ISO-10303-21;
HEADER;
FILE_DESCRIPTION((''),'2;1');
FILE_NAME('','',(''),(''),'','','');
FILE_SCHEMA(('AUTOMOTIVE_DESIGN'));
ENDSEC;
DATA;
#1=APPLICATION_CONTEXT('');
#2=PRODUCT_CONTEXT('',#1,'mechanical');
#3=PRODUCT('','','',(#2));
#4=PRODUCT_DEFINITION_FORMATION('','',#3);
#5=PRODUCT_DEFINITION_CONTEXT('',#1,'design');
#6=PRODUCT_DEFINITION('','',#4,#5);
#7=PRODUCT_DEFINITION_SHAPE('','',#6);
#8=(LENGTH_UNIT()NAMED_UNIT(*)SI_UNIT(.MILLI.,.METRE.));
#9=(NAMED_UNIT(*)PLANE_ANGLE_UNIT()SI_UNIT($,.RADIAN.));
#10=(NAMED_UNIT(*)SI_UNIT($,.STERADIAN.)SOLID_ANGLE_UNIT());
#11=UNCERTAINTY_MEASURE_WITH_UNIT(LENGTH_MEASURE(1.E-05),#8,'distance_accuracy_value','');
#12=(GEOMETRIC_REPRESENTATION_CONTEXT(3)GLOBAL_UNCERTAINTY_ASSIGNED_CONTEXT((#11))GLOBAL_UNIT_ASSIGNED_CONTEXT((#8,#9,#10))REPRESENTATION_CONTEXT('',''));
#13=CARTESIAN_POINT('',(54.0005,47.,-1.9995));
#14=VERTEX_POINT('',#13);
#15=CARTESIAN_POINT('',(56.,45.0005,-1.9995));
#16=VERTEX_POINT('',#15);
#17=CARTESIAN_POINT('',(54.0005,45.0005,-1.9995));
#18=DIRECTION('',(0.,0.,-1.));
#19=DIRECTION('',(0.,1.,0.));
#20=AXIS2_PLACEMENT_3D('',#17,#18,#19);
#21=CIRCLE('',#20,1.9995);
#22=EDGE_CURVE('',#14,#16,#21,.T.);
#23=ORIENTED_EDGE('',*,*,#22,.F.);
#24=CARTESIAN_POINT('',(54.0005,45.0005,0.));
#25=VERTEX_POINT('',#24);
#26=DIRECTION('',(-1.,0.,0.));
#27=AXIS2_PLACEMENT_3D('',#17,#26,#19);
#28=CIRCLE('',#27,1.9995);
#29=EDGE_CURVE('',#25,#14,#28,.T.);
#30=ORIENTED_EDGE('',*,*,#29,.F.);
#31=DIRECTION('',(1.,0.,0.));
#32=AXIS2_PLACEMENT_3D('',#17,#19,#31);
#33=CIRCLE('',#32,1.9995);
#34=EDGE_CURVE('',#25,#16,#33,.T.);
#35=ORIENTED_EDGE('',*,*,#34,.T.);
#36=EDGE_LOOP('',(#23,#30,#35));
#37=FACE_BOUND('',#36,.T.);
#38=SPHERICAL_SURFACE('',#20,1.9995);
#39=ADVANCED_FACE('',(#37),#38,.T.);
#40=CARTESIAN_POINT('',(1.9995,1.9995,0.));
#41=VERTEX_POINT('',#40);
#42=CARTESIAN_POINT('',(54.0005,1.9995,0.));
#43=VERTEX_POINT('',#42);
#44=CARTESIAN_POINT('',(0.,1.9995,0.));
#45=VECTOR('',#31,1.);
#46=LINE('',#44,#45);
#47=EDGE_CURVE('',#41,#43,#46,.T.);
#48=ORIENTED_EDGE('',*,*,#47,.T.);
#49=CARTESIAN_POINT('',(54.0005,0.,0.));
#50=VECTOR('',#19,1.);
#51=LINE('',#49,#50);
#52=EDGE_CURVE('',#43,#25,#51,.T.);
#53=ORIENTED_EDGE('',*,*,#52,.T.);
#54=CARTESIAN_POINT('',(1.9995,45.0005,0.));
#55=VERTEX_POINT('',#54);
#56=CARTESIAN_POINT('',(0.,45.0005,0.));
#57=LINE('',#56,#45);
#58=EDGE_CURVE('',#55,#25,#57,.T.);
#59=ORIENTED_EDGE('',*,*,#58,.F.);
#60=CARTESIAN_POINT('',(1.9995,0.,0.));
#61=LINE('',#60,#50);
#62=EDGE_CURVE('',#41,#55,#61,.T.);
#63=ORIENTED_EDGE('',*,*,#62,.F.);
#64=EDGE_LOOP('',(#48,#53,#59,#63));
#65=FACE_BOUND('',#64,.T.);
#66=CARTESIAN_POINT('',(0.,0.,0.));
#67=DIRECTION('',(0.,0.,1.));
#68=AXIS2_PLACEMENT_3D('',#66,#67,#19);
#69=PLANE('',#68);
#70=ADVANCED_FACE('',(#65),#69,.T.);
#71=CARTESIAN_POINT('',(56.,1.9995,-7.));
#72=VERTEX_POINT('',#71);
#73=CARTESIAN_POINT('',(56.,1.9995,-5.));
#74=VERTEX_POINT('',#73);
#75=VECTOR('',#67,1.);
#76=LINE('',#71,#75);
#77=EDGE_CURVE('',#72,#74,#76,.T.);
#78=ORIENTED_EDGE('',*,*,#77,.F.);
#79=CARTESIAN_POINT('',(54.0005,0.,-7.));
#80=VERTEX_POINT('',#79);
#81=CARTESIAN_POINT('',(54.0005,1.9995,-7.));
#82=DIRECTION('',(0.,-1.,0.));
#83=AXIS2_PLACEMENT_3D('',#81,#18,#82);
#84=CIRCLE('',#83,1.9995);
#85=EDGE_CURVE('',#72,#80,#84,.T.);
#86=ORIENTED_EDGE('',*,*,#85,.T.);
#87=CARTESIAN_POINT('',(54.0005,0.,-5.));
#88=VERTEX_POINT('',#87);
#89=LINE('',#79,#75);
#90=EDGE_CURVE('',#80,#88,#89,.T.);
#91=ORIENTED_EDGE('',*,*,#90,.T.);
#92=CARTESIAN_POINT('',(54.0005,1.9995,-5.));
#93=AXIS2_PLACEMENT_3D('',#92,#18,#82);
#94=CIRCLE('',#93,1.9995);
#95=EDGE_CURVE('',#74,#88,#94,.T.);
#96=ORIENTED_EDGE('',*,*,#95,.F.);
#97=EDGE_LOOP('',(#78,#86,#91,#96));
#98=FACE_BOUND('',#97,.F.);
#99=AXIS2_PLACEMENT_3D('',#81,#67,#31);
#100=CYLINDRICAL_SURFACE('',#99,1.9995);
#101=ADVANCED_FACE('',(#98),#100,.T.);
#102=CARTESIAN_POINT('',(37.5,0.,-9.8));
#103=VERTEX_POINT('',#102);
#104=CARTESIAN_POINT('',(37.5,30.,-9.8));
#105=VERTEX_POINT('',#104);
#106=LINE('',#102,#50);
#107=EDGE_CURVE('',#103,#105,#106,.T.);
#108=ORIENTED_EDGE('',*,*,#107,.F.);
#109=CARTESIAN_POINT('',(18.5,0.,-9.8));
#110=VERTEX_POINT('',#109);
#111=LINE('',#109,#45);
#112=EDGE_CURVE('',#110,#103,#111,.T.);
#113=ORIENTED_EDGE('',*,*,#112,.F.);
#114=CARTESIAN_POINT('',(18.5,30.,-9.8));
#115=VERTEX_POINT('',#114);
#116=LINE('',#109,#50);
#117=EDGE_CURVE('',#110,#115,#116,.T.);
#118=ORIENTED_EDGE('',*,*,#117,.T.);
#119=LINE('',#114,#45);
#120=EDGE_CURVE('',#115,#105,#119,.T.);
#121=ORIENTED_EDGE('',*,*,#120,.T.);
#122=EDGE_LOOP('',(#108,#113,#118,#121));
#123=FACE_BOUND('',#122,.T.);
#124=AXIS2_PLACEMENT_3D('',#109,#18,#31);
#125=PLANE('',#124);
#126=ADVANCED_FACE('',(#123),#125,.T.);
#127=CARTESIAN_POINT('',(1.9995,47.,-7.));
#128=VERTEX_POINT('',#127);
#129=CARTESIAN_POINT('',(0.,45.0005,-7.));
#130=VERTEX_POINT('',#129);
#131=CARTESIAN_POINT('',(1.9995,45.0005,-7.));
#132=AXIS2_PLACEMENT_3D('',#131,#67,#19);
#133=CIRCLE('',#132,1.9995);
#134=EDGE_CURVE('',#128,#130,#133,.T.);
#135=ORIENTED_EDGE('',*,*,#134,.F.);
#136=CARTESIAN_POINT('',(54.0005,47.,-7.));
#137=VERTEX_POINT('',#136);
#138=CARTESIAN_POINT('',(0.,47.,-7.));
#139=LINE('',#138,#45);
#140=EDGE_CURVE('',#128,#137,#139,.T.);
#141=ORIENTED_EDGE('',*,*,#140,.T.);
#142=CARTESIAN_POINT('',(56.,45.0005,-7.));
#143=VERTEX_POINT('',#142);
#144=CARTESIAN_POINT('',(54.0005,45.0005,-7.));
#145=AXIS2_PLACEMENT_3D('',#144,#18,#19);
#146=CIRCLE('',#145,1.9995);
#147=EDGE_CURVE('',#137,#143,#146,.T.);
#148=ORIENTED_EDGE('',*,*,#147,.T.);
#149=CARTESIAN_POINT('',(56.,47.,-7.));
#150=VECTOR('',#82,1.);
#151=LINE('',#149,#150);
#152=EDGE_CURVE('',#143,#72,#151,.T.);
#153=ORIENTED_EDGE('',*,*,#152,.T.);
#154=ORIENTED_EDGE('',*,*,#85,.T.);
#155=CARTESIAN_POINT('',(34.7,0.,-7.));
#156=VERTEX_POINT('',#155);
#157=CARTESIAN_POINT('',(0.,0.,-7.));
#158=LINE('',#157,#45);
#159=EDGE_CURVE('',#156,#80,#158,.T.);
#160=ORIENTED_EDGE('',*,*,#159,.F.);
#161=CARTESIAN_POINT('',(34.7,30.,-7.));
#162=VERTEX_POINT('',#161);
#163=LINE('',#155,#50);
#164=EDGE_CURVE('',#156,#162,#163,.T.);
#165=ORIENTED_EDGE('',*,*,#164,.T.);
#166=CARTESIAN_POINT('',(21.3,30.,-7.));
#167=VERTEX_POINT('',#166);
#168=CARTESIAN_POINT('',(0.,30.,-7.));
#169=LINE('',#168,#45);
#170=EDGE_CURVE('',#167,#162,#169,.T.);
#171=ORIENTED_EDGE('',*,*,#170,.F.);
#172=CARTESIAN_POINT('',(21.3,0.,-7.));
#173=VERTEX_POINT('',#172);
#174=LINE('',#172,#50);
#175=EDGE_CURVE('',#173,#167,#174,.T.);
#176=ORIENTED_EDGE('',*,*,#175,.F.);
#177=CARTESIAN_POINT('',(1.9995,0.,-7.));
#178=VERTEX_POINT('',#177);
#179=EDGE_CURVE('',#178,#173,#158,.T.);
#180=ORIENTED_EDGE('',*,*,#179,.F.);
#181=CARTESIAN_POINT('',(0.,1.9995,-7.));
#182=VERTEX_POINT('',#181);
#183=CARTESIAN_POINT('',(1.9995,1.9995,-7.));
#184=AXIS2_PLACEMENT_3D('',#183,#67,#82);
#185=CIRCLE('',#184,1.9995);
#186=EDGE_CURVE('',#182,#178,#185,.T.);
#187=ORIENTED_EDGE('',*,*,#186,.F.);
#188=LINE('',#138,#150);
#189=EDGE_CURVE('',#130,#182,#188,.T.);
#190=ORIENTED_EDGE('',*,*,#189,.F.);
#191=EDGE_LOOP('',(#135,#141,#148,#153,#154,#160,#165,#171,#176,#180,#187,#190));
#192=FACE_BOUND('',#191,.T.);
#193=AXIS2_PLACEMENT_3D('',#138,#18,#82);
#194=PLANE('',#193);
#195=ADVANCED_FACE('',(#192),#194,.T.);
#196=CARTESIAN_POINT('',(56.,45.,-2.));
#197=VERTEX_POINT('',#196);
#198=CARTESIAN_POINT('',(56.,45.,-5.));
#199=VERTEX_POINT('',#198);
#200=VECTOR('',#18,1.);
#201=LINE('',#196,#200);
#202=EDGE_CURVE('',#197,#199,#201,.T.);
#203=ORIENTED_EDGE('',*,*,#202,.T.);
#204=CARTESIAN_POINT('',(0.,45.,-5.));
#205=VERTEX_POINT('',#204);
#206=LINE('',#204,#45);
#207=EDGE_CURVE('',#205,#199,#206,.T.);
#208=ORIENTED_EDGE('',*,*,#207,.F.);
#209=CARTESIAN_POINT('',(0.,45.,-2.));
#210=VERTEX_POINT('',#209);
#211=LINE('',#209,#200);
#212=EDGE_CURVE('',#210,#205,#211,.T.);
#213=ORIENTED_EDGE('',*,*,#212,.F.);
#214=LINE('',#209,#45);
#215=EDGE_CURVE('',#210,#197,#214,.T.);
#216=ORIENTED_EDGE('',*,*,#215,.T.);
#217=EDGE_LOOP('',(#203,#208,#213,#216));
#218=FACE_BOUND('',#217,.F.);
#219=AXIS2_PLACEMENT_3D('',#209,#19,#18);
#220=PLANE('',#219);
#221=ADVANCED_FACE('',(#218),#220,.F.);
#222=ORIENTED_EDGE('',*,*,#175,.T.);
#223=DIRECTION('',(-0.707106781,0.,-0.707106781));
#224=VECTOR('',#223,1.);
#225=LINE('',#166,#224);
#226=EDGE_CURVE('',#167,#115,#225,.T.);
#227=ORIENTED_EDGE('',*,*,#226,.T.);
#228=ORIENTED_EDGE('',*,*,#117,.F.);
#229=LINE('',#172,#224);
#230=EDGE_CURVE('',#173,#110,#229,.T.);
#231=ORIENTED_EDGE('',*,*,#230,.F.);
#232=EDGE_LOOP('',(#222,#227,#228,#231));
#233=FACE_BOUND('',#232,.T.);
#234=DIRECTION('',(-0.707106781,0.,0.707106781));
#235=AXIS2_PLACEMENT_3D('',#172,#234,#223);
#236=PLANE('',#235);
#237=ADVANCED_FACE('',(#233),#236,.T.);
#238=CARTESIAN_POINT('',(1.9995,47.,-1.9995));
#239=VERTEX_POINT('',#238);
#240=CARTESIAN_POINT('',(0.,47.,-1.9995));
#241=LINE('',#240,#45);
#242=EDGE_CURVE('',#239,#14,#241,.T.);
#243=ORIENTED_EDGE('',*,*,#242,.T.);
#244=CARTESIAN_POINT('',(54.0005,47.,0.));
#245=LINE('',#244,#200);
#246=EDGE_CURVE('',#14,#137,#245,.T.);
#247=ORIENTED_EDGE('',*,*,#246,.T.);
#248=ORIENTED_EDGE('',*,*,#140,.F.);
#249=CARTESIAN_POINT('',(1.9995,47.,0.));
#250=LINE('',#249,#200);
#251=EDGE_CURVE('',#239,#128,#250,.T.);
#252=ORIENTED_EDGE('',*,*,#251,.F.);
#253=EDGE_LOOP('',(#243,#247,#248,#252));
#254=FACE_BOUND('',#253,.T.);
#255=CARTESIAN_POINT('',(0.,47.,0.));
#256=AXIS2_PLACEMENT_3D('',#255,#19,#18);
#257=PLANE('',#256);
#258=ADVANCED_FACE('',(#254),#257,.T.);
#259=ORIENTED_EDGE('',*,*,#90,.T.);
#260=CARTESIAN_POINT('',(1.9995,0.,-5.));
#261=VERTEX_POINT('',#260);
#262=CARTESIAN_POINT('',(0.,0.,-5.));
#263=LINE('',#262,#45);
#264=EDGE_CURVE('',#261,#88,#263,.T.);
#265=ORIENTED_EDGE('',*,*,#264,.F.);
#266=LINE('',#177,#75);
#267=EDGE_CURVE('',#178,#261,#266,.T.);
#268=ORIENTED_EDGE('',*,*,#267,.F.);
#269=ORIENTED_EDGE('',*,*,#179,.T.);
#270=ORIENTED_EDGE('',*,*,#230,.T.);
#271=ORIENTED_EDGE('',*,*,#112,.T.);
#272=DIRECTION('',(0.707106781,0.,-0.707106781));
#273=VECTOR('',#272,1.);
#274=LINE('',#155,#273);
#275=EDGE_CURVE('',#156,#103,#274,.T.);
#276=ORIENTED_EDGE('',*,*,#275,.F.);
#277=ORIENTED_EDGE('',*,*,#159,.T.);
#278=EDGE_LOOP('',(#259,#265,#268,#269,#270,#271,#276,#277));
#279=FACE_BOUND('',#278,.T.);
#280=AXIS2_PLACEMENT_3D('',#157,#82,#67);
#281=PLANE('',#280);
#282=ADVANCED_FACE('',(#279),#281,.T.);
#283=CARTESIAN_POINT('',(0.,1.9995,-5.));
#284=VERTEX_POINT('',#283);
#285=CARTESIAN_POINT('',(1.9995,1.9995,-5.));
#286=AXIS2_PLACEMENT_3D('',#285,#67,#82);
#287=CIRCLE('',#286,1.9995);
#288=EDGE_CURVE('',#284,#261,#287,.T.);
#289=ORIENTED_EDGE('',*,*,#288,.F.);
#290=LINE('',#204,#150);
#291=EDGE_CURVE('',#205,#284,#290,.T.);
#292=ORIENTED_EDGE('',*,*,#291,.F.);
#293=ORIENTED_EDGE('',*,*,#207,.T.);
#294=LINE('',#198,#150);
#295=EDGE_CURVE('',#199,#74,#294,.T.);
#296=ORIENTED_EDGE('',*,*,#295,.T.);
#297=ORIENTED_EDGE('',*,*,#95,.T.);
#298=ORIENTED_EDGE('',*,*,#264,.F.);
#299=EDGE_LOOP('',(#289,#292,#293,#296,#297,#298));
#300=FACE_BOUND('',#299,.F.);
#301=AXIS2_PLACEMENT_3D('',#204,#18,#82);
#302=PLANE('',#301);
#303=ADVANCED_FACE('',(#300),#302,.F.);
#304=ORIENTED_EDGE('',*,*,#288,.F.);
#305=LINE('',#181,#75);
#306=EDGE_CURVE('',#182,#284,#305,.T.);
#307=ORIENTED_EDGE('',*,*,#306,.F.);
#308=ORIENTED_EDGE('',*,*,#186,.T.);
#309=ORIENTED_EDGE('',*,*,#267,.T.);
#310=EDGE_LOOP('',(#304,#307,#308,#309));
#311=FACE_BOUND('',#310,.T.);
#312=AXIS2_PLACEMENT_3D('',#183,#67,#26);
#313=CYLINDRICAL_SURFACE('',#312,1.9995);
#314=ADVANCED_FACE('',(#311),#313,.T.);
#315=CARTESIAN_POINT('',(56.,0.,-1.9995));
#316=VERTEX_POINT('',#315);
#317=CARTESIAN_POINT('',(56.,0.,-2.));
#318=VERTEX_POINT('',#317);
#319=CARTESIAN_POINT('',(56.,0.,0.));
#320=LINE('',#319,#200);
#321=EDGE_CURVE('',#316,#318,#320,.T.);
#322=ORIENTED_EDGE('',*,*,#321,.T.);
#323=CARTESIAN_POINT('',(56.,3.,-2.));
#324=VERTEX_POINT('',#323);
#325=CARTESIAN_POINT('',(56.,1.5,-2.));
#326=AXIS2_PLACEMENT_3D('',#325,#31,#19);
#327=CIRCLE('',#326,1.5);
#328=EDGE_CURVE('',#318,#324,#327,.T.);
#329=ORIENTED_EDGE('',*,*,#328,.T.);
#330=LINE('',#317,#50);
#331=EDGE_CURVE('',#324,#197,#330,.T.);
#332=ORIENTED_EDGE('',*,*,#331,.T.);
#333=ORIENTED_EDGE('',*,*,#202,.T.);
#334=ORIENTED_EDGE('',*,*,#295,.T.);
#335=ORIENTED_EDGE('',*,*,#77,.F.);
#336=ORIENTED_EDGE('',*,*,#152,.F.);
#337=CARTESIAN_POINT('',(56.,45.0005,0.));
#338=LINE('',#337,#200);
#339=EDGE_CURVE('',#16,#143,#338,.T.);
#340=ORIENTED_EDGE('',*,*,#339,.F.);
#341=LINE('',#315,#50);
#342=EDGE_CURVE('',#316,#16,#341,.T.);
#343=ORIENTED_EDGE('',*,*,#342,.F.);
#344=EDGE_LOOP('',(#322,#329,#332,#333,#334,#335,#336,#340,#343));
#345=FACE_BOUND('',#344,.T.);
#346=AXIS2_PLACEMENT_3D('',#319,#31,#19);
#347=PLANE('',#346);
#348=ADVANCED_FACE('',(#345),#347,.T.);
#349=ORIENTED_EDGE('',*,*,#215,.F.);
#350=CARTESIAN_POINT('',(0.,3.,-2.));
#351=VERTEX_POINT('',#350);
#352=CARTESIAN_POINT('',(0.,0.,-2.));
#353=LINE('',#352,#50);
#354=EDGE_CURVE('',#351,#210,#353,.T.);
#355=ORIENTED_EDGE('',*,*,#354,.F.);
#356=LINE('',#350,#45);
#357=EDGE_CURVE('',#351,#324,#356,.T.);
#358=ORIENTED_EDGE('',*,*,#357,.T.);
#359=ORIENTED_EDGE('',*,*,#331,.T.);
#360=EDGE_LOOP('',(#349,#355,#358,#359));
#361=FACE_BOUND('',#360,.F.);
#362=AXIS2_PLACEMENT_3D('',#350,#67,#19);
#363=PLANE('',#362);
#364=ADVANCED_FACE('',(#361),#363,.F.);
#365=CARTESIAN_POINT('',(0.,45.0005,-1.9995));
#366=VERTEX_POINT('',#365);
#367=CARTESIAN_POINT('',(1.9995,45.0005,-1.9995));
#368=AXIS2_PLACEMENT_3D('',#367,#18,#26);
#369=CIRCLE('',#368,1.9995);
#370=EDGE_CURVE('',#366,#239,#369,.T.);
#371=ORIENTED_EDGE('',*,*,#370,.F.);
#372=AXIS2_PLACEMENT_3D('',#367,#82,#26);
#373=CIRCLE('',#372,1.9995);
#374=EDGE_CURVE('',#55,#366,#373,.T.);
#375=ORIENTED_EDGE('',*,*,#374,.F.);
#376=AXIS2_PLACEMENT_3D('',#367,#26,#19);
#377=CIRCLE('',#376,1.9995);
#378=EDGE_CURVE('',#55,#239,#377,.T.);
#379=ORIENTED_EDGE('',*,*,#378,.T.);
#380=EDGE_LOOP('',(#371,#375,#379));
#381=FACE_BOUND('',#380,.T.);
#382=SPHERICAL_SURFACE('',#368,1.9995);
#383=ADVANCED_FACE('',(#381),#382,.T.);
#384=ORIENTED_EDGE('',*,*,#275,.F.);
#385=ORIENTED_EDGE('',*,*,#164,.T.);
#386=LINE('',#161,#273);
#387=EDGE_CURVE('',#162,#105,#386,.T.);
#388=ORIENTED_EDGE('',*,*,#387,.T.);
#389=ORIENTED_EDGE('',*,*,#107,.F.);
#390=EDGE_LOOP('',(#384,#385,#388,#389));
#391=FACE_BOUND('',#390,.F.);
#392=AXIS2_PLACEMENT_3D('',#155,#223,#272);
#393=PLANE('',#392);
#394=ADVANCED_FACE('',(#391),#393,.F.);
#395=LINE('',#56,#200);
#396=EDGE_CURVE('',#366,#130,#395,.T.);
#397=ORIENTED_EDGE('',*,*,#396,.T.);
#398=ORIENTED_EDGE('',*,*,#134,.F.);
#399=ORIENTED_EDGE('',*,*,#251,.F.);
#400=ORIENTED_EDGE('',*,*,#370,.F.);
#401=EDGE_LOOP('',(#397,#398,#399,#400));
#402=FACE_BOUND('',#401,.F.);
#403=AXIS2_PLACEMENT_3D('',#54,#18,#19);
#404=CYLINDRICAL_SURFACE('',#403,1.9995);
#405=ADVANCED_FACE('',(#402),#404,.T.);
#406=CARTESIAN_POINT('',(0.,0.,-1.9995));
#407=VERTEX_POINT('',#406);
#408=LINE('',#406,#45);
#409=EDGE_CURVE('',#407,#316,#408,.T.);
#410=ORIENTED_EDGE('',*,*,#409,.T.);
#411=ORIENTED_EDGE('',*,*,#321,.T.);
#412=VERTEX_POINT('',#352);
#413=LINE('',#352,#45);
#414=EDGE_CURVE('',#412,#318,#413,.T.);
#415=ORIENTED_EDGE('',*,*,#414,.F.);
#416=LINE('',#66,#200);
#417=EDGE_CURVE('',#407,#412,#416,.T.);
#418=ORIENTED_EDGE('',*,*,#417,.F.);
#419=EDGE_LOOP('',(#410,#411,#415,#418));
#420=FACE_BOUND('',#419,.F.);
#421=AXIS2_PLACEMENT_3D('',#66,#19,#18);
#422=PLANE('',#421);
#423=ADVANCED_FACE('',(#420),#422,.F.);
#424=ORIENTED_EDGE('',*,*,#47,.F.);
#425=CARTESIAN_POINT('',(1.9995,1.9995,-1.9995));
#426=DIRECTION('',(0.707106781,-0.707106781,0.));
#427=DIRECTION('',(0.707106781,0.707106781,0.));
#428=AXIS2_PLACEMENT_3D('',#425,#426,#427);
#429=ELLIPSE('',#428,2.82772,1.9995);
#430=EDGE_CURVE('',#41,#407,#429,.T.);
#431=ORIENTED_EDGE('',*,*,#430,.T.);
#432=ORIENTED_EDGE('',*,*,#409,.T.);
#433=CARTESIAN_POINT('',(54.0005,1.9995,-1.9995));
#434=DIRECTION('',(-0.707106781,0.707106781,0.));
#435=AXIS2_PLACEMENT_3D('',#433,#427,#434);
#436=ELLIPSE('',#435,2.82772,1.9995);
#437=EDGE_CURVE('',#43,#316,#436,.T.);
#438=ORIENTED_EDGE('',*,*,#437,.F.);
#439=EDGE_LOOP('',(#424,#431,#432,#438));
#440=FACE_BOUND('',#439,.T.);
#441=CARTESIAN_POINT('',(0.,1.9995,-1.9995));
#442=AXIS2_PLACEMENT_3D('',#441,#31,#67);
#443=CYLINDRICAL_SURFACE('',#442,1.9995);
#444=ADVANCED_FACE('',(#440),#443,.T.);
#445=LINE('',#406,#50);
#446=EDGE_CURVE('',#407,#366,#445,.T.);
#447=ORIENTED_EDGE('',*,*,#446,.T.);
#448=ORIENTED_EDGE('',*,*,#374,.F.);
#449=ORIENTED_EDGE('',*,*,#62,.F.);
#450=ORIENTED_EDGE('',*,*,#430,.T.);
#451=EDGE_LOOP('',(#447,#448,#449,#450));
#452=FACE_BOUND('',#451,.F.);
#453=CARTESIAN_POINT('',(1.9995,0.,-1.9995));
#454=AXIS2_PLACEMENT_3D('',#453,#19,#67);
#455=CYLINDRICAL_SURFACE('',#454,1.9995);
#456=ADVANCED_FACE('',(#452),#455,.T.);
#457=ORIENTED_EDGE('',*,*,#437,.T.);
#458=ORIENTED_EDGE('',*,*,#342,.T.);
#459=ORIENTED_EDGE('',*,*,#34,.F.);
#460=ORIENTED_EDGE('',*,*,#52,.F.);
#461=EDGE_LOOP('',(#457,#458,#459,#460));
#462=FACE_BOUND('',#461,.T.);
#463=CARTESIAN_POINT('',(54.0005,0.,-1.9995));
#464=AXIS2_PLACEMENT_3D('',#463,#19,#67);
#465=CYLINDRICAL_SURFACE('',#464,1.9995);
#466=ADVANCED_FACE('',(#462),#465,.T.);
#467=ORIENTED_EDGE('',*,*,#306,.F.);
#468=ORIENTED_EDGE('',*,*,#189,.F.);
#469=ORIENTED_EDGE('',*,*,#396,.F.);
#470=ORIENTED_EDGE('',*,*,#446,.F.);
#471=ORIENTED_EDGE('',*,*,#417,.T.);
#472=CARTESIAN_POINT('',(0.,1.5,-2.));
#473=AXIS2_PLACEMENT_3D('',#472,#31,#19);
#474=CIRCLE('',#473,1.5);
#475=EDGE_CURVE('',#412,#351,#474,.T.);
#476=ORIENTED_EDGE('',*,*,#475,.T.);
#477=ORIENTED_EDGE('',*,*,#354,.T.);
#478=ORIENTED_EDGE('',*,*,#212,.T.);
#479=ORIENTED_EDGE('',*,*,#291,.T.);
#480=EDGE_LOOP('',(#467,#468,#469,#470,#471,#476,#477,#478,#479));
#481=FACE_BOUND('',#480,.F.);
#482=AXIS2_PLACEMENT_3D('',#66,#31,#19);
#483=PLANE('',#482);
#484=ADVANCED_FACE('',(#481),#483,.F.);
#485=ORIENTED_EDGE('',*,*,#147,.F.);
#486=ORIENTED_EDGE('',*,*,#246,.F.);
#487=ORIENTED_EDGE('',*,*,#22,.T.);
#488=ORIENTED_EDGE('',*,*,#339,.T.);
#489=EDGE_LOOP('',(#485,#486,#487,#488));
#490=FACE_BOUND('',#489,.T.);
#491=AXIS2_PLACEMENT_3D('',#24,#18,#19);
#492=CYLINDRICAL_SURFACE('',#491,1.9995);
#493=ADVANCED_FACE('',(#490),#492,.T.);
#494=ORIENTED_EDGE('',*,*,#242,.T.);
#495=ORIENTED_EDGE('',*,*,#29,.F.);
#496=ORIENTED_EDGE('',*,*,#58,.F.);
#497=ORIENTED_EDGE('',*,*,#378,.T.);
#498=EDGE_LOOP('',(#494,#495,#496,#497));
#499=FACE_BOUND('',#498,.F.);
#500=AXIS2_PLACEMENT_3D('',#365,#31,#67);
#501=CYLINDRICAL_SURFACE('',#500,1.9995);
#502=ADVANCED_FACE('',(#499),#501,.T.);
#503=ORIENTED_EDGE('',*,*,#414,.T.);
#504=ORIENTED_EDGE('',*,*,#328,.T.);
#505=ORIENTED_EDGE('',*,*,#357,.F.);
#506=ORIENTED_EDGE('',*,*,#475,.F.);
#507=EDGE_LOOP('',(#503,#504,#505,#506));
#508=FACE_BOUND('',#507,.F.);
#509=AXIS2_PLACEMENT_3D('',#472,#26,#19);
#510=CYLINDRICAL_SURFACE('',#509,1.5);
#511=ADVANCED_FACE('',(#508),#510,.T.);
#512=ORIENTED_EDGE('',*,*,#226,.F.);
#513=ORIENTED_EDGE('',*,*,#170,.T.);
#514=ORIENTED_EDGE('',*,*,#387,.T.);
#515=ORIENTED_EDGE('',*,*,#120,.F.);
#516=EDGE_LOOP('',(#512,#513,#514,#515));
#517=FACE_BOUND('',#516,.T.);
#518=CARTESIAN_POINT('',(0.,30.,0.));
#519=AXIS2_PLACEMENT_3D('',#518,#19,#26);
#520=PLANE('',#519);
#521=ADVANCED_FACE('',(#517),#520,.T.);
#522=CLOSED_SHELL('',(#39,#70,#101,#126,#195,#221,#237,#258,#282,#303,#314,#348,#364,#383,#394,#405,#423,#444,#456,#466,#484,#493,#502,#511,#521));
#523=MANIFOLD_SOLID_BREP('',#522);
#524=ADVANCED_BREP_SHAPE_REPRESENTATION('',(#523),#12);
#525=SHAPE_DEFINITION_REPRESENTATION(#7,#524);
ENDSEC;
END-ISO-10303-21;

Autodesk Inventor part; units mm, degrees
ref_plane "YZ Plane" through (0, 0, 0) normal (1, 0, 0) x (0, 1, 0)
ref_plane "XZ Plane" through (0, 0, 0) normal (0, 1, 0) x (-1, 0, 0)
ref_plane "XY Plane" through (0, 0, 0) normal (0, 0, 1) x (1, 0, 0)
sketch "Sketch1" plane through (0, 0, 0) normal (1, 0, 0) x (0, 1, 0)
  line L0 (0, 0) -> (0, -2)
  line L1 (0, -2) -> (45, -2)
  line L2 (45, -2) -> (45, -5)
  line L3 (45, -5) -> (0, -5)
  line L4 (0, 0) -> (47, 0)
  line L5 (47, 0) -> (47, -7)
  line L6 (47, -7) -> (0, -7)
  line L7 (0, -7) -> (0, -5)
  circle A0 centre (1.5, -2) radius 1.5
  point P0 (3, -2)
  point P1 (32, -2)
  point P2 (32, -5)
  dimension "d0" = 2
  dimension "d1" = 45
  dimension "d2" = 3
  dimension "d3" = 47
  dimension "d4" = 7
  dimension "d5" = 3
  dimension "d6" = 1.5
extrude "Extrusion1" add sketch "Sketch1" along normal blind 56
sketch "Sketch3" plane through (0, 0, 0) normal (0, 1, 0) x (-1, 0, 0)
  line L0 (0, -7) -> (-56, -7) projected
  line L1 (-34.7, -7) -> (-21.3, -7)
  line L2 (-21.3, -7) -> (-18.5, -9.8)
  line L3 (-18.5, -9.8) -> (-37.5, -9.8)
  line L4 (-34.7, -7) -> (-37.5, -9.8)
  line L5 (-56, -5) -> (-56, -7) projected
  point P0 (0, 0)
  point P1 (-28, -7)
  point P2 (-56, -6)
  point P3 (-21.3, -7)
  dimension "d10" = 135
  dimension "d11" = 135
  dimension "d12" = 2.8
  dimension "d13" = 28
  dimension "d14" = 19
extrude "Extrusion2" add sketch "Sketch3" along normal blind 30
fillet "Rundung1" radius 2 8 edges at (56, 47, -3.5) (56, 0, -6) (0, 47, -3.5) (0, 0, -6) (0, 23.5, 0) (28, 47, 0) (56, 23.5, 0) (28, 0, 0)
properties part number "belt_clip"
